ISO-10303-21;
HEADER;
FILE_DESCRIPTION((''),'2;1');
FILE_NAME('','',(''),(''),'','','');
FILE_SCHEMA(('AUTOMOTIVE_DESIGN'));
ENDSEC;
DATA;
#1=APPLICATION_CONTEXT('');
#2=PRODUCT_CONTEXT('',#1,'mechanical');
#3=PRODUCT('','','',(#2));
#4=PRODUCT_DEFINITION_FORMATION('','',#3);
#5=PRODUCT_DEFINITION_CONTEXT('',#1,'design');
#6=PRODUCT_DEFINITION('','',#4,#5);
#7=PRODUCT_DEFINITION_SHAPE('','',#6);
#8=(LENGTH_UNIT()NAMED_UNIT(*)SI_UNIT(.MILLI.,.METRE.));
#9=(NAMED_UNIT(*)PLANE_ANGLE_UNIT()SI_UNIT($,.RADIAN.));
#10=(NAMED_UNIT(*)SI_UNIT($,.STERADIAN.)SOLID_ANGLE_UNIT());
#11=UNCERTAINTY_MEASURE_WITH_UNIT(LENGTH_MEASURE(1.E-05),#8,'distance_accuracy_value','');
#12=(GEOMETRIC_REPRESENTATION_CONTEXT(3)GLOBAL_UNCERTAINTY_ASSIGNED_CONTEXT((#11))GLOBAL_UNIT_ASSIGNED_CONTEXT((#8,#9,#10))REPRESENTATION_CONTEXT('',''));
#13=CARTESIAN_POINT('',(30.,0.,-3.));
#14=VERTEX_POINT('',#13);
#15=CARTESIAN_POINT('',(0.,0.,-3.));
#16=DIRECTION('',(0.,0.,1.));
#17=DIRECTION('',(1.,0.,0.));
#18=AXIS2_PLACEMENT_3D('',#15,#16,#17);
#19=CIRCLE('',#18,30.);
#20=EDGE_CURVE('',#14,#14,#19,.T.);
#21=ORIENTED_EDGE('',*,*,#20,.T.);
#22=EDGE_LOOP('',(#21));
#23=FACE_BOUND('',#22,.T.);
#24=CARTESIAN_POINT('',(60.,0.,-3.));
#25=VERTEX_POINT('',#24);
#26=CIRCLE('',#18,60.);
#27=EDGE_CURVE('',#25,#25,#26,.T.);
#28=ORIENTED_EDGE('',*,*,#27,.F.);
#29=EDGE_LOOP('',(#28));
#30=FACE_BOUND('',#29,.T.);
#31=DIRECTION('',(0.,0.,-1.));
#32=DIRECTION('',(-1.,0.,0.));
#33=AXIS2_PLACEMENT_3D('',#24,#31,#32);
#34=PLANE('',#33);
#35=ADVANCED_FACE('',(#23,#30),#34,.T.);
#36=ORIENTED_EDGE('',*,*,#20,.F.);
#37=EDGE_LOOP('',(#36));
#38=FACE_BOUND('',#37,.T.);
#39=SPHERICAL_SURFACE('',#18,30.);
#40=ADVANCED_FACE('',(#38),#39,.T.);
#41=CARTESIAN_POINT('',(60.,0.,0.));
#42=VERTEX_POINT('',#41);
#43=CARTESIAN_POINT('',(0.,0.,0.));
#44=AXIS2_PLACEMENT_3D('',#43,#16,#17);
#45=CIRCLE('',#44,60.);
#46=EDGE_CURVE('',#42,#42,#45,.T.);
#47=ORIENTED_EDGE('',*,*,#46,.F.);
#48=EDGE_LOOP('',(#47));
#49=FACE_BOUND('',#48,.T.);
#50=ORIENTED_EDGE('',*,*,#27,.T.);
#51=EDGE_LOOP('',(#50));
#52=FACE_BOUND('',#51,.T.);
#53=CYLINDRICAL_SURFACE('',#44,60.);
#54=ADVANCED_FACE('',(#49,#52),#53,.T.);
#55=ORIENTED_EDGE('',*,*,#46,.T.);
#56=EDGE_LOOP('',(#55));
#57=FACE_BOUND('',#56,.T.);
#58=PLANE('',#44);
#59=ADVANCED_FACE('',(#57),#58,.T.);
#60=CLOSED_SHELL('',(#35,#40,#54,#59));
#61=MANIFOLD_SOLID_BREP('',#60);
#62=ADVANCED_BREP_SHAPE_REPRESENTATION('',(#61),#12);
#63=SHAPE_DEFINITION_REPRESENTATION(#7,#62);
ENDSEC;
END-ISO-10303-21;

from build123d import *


with BuildPart() as part:
    # Эскиз2 → Повернуть1 (revolve)
    with BuildSketch(Plane(origin=(0, 0, 0), x_dir=(1, 0, 0), z_dir=(0, 1, 0))):
        with BuildLine():
            Line((0, 0), (60, 0))
            Line((60, 0), (60, 3))
            Line((60, 3), (30, 3))
            ThreePointArc((30, 3), (21.213203436, 24.213203436), (0, 33))
            Line((0, 33), (0, 0))
        make_face()
    revolve(axis=Axis((0, 0, 0), (0, 0, -1)))


solid = part.part
